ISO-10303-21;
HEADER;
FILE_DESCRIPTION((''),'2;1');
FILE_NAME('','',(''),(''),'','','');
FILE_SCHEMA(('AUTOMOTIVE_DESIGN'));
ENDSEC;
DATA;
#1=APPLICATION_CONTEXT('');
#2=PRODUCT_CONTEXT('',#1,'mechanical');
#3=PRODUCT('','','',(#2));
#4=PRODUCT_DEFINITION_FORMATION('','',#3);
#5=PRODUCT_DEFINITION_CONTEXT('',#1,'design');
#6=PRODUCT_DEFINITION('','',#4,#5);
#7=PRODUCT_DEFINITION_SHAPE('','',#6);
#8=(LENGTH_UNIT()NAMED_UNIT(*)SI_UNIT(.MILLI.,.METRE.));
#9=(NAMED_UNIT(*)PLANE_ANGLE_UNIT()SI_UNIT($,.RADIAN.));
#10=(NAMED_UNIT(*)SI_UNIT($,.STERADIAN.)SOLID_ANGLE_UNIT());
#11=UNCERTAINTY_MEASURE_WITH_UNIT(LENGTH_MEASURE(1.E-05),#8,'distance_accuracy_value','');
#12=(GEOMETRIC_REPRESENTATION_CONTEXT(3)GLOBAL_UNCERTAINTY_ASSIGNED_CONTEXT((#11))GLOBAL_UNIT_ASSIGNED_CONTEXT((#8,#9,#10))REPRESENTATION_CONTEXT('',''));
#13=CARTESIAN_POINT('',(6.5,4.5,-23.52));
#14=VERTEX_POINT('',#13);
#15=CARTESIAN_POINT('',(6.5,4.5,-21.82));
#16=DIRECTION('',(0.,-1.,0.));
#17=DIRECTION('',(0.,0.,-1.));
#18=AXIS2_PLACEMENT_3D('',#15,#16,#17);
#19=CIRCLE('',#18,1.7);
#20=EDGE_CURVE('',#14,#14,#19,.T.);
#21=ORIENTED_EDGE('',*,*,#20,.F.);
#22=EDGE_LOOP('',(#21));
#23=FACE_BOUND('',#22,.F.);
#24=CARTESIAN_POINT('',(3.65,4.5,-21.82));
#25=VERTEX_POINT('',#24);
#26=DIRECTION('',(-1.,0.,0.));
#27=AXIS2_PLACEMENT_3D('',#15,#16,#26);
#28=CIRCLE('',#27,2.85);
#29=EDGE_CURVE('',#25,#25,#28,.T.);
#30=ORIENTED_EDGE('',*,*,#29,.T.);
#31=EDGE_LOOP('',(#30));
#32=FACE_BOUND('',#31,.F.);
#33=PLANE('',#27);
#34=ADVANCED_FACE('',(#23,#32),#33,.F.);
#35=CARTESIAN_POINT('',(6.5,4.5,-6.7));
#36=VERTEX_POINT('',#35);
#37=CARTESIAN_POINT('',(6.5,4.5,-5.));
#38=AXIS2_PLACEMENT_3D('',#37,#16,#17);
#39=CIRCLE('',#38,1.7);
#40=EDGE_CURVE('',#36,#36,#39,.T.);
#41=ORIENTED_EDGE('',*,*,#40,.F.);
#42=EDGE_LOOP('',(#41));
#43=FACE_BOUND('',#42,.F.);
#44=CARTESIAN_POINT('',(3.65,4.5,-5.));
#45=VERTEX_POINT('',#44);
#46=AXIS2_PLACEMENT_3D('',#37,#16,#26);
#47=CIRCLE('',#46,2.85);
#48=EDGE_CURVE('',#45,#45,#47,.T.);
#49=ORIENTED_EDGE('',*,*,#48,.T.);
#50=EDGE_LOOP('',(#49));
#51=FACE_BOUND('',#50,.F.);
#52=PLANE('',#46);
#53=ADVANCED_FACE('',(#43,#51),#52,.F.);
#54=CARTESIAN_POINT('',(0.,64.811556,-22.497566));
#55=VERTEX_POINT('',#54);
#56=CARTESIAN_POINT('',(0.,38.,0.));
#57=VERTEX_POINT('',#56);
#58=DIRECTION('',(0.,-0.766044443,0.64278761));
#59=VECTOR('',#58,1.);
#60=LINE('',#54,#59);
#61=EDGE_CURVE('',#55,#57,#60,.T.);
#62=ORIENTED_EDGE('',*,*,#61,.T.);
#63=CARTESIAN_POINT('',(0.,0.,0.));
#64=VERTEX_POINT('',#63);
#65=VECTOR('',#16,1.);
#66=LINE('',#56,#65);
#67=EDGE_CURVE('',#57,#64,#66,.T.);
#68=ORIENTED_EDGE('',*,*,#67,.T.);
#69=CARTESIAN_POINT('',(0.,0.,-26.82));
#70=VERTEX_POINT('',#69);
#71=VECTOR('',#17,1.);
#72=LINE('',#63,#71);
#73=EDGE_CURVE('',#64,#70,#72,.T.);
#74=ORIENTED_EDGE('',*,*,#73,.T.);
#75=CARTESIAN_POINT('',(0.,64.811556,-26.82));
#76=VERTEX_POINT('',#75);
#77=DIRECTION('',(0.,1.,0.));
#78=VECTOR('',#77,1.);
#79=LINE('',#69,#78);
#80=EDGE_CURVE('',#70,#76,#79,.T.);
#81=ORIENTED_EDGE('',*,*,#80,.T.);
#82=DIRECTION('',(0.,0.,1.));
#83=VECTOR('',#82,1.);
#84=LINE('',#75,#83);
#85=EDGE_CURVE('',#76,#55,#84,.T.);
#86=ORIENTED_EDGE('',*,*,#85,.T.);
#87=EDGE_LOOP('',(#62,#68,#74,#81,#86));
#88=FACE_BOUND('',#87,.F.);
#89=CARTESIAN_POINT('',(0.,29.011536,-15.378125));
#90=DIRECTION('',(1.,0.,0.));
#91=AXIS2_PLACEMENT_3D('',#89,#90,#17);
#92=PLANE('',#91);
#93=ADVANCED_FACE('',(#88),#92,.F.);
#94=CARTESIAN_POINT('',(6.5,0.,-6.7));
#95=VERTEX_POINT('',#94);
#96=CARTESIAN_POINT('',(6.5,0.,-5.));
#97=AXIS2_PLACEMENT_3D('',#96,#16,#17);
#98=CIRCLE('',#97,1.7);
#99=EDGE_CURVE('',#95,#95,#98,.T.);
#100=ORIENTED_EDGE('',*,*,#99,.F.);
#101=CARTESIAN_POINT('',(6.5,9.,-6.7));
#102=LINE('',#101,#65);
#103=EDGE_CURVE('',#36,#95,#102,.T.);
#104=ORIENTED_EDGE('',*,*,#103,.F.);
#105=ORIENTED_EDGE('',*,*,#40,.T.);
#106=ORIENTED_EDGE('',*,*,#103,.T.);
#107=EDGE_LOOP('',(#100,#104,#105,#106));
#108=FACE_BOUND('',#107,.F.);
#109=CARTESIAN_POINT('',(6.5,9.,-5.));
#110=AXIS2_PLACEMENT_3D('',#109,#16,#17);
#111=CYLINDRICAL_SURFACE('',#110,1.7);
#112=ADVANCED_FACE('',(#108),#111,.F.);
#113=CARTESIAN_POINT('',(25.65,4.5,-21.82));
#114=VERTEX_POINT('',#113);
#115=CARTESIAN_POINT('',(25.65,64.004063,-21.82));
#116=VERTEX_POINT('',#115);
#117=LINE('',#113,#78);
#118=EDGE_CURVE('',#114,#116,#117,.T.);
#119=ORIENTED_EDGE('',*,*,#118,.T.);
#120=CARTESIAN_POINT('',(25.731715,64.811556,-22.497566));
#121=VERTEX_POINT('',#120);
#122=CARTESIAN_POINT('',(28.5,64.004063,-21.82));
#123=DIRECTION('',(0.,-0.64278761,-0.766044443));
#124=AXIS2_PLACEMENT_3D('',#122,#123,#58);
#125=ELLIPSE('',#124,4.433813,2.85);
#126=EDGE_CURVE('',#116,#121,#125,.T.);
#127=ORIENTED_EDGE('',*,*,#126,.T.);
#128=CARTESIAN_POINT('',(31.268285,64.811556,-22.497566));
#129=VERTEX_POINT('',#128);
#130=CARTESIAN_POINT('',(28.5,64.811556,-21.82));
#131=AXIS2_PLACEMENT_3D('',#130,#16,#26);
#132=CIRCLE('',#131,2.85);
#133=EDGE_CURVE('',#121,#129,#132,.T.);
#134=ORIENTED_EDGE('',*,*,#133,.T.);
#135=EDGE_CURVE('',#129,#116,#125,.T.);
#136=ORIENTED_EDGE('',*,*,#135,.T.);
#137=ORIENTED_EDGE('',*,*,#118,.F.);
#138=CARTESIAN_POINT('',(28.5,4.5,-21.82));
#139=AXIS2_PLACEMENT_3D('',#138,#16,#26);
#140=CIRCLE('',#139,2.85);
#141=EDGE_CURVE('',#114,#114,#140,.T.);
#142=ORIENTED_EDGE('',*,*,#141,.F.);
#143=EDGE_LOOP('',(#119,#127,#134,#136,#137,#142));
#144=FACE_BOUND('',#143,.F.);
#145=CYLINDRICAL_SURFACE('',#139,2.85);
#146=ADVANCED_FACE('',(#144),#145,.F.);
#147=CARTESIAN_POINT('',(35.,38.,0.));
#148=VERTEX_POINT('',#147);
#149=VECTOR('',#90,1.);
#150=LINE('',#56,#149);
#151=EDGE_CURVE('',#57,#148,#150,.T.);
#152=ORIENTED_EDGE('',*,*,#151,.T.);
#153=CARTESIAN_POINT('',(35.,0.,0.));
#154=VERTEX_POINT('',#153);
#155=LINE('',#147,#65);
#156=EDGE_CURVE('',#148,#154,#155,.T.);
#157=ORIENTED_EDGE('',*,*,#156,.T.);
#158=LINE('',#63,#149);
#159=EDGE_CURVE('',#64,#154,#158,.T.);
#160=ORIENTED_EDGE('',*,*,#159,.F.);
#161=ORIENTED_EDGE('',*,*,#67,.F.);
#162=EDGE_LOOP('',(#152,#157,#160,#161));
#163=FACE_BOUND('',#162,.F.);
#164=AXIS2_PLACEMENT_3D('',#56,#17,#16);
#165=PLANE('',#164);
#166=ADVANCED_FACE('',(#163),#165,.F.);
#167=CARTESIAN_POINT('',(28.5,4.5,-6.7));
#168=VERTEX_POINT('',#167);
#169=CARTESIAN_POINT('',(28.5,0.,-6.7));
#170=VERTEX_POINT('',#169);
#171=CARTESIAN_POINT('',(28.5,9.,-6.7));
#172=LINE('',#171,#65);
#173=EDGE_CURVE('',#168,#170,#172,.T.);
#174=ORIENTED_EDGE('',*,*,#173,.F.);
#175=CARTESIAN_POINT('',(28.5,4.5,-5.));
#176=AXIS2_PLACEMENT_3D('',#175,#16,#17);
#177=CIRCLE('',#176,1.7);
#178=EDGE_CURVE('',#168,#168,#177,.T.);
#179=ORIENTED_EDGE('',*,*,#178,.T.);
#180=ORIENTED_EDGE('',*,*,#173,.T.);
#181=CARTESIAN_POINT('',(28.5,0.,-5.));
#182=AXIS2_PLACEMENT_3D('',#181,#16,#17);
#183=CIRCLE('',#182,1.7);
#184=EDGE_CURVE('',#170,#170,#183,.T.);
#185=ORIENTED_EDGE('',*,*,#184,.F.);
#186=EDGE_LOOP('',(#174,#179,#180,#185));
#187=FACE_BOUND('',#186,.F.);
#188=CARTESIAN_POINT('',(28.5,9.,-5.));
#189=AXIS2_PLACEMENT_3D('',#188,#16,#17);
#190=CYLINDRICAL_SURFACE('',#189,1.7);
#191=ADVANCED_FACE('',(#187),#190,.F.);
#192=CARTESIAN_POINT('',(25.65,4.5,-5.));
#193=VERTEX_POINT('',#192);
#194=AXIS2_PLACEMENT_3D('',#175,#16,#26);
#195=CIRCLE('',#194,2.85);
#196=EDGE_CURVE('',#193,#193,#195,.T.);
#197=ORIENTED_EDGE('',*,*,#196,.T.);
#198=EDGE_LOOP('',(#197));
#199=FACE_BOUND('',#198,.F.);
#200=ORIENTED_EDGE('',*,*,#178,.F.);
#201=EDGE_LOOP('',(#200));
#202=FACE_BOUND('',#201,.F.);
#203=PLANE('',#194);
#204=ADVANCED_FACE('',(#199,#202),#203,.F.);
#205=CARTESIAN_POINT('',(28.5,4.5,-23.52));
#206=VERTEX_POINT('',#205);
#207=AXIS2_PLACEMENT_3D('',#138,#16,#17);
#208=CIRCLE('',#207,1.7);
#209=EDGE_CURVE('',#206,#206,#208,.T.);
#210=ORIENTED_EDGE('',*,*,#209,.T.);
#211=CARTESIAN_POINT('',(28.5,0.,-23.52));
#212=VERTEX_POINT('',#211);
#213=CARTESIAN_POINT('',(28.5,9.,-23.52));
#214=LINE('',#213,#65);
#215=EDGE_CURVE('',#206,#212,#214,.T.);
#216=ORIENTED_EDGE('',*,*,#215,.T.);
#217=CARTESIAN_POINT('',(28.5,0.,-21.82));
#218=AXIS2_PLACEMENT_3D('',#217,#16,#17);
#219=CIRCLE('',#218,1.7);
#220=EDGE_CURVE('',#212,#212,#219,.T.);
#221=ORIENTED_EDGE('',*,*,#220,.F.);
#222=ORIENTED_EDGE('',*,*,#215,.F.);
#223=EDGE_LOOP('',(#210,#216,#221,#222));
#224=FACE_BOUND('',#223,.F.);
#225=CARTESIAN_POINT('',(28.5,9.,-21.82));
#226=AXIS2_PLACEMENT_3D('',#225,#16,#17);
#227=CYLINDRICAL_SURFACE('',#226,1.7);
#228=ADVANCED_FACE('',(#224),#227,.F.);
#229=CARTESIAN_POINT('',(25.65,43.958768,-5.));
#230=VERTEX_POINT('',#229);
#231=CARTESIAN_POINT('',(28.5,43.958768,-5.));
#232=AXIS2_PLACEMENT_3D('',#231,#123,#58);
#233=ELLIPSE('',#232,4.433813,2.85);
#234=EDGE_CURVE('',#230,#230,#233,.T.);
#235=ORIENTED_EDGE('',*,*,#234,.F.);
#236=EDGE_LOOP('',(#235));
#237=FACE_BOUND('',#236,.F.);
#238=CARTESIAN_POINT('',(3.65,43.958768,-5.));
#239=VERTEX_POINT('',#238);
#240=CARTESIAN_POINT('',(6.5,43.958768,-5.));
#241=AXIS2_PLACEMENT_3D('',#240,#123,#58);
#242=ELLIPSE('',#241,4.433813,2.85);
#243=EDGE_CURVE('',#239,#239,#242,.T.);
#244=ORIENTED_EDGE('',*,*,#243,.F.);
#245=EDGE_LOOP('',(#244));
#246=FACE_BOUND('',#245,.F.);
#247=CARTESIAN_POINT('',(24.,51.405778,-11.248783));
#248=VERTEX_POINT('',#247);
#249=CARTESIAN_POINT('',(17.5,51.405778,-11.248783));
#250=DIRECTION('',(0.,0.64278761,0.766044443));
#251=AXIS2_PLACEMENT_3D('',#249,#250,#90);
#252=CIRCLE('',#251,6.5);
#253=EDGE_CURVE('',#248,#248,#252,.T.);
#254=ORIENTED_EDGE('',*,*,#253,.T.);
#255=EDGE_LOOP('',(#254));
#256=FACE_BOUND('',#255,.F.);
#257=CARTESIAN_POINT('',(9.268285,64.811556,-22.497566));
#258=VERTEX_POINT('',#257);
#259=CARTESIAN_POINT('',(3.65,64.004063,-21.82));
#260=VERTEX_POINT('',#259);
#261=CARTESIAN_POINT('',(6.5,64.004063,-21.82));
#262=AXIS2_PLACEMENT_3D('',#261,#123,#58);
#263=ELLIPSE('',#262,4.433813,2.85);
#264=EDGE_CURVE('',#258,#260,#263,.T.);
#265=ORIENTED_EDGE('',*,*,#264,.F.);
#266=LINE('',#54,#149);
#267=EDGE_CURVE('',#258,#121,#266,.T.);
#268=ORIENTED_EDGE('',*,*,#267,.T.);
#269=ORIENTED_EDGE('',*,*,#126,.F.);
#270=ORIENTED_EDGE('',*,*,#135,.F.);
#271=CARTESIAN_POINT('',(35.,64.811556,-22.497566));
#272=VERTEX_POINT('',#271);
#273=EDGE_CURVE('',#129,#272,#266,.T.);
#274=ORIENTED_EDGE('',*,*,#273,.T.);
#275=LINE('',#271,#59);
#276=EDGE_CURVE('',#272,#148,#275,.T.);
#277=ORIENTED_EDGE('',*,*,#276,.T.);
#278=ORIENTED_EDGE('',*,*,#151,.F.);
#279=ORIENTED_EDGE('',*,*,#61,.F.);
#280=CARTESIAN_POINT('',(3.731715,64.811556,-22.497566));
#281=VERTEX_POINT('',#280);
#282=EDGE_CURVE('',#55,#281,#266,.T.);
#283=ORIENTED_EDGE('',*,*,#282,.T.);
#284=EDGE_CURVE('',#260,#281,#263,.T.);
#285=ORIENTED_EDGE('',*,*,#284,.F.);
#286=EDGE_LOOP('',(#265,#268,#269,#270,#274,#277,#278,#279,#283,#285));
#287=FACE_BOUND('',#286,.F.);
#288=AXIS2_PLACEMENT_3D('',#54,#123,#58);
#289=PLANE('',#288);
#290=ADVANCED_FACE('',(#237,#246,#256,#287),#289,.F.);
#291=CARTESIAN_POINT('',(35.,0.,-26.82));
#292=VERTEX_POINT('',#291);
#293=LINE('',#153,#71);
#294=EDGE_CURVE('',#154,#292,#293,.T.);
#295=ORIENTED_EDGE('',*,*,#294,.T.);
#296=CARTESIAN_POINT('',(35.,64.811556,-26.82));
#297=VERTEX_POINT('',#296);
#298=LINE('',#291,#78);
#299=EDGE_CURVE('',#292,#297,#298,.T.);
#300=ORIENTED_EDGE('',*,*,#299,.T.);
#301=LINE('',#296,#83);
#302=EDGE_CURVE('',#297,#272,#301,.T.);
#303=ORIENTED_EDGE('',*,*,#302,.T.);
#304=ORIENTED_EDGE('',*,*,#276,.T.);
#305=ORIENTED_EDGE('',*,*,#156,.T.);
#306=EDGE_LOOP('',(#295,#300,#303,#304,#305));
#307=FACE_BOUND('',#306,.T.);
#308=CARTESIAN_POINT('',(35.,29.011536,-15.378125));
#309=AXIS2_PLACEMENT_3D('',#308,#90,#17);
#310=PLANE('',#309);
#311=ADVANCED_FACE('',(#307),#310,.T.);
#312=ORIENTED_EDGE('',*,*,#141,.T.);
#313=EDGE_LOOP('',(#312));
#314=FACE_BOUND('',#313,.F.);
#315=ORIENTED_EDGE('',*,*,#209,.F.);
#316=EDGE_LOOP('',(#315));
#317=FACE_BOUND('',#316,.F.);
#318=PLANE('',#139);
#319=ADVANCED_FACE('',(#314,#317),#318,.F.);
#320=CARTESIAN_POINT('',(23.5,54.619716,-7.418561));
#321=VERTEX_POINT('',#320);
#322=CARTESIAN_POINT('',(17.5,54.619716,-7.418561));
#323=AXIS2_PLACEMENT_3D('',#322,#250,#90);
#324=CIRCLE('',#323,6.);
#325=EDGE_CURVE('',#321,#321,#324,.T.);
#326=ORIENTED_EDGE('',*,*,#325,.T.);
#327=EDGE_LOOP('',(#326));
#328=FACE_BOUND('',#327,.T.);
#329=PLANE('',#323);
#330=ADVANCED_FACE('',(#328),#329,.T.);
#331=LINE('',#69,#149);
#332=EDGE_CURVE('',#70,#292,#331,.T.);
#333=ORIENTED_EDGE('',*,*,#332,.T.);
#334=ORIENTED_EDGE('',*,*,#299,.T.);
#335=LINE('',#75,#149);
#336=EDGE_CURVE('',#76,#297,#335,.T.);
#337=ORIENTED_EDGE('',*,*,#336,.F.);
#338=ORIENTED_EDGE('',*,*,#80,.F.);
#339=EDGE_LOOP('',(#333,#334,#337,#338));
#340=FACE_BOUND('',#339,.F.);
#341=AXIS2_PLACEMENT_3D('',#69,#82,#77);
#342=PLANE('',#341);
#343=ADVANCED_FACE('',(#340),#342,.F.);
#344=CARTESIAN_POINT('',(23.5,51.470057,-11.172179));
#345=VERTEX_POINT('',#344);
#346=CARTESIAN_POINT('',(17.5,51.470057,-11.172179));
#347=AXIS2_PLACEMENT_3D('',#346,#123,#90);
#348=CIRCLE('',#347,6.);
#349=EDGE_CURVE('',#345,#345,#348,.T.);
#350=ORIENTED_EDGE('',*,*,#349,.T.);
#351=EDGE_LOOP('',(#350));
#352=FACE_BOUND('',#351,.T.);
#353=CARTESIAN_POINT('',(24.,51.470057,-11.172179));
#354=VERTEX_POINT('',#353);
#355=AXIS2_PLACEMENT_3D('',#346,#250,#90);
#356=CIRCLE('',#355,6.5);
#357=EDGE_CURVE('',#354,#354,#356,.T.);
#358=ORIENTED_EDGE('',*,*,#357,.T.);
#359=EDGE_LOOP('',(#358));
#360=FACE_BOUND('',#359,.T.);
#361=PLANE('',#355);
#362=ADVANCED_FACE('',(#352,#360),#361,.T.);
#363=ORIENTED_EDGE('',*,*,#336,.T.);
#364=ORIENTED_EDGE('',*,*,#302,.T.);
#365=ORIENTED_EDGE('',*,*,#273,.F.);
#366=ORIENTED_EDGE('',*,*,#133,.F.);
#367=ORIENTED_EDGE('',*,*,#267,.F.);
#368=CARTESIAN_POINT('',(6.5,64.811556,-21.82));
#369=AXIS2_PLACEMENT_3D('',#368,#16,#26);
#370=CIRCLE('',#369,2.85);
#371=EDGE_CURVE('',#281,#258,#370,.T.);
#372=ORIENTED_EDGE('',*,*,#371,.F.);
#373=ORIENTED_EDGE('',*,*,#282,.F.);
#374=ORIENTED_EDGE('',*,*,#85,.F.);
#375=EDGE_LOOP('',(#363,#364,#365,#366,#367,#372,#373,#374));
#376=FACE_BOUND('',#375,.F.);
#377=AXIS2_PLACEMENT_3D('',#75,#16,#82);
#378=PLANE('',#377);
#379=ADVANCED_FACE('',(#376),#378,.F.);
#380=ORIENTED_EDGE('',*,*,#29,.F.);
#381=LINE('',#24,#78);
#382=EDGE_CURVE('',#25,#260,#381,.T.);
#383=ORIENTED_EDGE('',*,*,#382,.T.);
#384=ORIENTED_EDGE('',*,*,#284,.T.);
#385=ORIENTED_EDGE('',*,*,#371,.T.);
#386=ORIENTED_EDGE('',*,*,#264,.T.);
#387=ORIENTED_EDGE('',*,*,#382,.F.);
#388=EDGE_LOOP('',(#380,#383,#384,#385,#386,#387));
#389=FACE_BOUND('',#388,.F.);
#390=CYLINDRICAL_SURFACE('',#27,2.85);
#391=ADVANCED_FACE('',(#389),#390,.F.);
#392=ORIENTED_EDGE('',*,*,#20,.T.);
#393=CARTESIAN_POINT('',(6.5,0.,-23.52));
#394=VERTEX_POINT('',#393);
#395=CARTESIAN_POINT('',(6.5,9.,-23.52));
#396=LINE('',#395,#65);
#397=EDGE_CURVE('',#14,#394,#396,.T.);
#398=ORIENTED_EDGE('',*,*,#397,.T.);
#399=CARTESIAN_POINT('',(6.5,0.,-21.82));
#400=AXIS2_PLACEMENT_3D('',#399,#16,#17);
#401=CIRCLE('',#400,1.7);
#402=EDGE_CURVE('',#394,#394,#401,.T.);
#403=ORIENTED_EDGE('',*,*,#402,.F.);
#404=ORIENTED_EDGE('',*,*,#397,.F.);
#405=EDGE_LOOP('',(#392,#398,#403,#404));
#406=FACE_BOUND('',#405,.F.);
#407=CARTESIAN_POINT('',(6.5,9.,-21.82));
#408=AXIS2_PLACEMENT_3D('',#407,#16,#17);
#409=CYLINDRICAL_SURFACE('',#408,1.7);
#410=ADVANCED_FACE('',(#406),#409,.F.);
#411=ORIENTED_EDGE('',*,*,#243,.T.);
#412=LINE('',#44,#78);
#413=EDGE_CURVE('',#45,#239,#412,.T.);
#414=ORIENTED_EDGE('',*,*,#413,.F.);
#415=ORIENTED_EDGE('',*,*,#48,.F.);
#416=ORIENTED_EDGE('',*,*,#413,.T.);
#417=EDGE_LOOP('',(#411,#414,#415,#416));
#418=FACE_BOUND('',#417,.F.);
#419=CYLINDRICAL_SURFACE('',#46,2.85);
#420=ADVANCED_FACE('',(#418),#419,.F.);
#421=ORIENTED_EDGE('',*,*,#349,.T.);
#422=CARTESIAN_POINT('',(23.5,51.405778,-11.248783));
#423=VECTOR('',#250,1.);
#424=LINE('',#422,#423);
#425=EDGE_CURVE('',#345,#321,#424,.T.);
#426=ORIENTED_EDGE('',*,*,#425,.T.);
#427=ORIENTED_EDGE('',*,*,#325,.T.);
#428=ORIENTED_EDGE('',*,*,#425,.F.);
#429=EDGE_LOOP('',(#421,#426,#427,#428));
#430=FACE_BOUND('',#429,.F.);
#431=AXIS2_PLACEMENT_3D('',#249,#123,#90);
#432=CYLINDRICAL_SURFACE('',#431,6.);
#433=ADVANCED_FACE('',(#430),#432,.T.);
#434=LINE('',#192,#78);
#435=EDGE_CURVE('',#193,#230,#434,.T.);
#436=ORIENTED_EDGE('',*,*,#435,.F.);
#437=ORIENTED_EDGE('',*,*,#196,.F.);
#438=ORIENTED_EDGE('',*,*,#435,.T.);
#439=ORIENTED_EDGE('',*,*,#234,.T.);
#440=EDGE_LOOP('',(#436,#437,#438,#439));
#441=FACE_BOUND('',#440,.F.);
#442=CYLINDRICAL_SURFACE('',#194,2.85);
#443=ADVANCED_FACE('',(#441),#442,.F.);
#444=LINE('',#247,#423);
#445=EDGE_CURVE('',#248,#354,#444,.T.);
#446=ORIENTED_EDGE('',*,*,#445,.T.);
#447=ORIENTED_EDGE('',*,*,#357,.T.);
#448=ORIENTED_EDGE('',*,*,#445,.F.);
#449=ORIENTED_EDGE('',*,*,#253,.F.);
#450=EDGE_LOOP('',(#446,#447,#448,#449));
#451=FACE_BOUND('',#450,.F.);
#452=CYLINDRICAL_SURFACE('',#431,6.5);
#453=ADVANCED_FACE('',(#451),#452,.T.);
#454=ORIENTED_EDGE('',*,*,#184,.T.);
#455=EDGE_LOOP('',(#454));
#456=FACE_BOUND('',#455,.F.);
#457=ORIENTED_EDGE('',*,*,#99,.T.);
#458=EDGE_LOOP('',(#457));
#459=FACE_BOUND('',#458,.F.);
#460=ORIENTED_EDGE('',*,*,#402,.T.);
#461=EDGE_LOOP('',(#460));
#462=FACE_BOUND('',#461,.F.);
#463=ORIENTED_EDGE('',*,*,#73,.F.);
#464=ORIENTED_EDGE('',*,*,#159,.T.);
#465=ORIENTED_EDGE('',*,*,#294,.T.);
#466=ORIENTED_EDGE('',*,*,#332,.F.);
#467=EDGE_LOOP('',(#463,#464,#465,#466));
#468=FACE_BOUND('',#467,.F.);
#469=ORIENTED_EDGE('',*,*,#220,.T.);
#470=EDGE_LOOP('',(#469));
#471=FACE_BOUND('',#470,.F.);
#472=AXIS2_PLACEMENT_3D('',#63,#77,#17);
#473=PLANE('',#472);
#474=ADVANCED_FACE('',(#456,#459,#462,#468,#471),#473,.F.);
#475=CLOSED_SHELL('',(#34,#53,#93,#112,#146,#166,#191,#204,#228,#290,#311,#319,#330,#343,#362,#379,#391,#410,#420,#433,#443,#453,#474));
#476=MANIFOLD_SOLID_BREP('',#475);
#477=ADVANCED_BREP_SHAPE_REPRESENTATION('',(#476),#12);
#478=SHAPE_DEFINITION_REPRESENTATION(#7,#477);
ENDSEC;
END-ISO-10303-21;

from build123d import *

# Parameters (mm, degrees)
AUFSATZ_LINEAR_AUSTRAGEN1_DEPTH      = 35
SKIZZE3_R                            = 6
AUFSATZ_LINEAR_AUSTRAGEN2_DEPTH      = 5
SKIZZE4_R                            = 6.5
AUFSATZ_LINEAR_AUSTRAGEN3_DEPTH      = 0.1
SKIZZE7_R                            = 2.85
SCHNITT_LINEAR_AUSTRAGEN1_DEPTH      = 61.311555509
F_3_4_3_4_DURCHMESSER_BOHRUNG1_D     = 3.4
F_3_4_3_4_DURCHMESSER_BOHRUNG1_DEPTH = 4.5


with BuildPart() as part:
    # Skizze1 → Aufsatz-Linear austragen1 (new body)
    with BuildSketch(Plane(origin=(0, 0, 0), x_dir=(0, 0, -1), z_dir=(1, 0, 0))):
        Polygon((0, 0), (22.497566339, 0), (26.82, 0), (26.82, 64.811555509), (22.497566339, 64.811555509), (0, 38), align=None)
    extrude(amount=AUFSATZ_LINEAR_AUSTRAGEN1_DEPTH)

    # Skizze3 → Aufsatz-Linear austragen2 (add)
    with BuildSketch(Plane(origin=(0, 15.700684624, 18.711347307), x_dir=(1, 0, 0), z_dir=(0, 0.64278761, 0.766044443))):
        with Locations((17.5, 46.609688839)):
            Circle(SKIZZE3_R)
    extrude(amount=AUFSATZ_LINEAR_AUSTRAGEN2_DEPTH)

    # Skizze4 → Aufsatz-Linear austragen3 (add)
    with BuildSketch(Plane(origin=(0, 15.700684624, 18.711347307), x_dir=(1, 0, 0), z_dir=(0, 0.64278761, 0.766044443))):
        with Locations((17.5, 46.609688839)):
            Circle(SKIZZE4_R)
    extrude(amount=AUFSATZ_LINEAR_AUSTRAGEN3_DEPTH)

    # Skizze7 → Schnitt-Linear austragen1 (cut, through all)
    with BuildSketch(Plane(origin=(0, 4.5, 0), x_dir=(-1, 0, 0), z_dir=(0, -1, 0))):
        with Locations((-28.5, 5)):
            Circle(SKIZZE7_R)
        with Locations((-6.5, 5)):
            Circle(SKIZZE7_R)
        with Locations((-6.5, 21.82)):
            Circle(SKIZZE7_R)
        with Locations((-28.5, 21.82)):
            Circle(SKIZZE7_R)
    extrude(amount=-SCHNITT_LINEAR_AUSTRAGEN1_DEPTH, mode=Mode.SUBTRACT)

    # Ø3.4 (3.4) Durchmesser Bohrung1
    with Locations(Plane(origin=(6.5, 4.5, -5), x_dir=(0, 0, 1), z_dir=(0, 1, 0))):
        with Locations((0, 0), (-16.82, 0), (-16.82, 22), (0, 22)):
            Hole(F_3_4_3_4_DURCHMESSER_BOHRUNG1_D / 2, depth=F_3_4_3_4_DURCHMESSER_BOHRUNG1_DEPTH)


solid = part.part
